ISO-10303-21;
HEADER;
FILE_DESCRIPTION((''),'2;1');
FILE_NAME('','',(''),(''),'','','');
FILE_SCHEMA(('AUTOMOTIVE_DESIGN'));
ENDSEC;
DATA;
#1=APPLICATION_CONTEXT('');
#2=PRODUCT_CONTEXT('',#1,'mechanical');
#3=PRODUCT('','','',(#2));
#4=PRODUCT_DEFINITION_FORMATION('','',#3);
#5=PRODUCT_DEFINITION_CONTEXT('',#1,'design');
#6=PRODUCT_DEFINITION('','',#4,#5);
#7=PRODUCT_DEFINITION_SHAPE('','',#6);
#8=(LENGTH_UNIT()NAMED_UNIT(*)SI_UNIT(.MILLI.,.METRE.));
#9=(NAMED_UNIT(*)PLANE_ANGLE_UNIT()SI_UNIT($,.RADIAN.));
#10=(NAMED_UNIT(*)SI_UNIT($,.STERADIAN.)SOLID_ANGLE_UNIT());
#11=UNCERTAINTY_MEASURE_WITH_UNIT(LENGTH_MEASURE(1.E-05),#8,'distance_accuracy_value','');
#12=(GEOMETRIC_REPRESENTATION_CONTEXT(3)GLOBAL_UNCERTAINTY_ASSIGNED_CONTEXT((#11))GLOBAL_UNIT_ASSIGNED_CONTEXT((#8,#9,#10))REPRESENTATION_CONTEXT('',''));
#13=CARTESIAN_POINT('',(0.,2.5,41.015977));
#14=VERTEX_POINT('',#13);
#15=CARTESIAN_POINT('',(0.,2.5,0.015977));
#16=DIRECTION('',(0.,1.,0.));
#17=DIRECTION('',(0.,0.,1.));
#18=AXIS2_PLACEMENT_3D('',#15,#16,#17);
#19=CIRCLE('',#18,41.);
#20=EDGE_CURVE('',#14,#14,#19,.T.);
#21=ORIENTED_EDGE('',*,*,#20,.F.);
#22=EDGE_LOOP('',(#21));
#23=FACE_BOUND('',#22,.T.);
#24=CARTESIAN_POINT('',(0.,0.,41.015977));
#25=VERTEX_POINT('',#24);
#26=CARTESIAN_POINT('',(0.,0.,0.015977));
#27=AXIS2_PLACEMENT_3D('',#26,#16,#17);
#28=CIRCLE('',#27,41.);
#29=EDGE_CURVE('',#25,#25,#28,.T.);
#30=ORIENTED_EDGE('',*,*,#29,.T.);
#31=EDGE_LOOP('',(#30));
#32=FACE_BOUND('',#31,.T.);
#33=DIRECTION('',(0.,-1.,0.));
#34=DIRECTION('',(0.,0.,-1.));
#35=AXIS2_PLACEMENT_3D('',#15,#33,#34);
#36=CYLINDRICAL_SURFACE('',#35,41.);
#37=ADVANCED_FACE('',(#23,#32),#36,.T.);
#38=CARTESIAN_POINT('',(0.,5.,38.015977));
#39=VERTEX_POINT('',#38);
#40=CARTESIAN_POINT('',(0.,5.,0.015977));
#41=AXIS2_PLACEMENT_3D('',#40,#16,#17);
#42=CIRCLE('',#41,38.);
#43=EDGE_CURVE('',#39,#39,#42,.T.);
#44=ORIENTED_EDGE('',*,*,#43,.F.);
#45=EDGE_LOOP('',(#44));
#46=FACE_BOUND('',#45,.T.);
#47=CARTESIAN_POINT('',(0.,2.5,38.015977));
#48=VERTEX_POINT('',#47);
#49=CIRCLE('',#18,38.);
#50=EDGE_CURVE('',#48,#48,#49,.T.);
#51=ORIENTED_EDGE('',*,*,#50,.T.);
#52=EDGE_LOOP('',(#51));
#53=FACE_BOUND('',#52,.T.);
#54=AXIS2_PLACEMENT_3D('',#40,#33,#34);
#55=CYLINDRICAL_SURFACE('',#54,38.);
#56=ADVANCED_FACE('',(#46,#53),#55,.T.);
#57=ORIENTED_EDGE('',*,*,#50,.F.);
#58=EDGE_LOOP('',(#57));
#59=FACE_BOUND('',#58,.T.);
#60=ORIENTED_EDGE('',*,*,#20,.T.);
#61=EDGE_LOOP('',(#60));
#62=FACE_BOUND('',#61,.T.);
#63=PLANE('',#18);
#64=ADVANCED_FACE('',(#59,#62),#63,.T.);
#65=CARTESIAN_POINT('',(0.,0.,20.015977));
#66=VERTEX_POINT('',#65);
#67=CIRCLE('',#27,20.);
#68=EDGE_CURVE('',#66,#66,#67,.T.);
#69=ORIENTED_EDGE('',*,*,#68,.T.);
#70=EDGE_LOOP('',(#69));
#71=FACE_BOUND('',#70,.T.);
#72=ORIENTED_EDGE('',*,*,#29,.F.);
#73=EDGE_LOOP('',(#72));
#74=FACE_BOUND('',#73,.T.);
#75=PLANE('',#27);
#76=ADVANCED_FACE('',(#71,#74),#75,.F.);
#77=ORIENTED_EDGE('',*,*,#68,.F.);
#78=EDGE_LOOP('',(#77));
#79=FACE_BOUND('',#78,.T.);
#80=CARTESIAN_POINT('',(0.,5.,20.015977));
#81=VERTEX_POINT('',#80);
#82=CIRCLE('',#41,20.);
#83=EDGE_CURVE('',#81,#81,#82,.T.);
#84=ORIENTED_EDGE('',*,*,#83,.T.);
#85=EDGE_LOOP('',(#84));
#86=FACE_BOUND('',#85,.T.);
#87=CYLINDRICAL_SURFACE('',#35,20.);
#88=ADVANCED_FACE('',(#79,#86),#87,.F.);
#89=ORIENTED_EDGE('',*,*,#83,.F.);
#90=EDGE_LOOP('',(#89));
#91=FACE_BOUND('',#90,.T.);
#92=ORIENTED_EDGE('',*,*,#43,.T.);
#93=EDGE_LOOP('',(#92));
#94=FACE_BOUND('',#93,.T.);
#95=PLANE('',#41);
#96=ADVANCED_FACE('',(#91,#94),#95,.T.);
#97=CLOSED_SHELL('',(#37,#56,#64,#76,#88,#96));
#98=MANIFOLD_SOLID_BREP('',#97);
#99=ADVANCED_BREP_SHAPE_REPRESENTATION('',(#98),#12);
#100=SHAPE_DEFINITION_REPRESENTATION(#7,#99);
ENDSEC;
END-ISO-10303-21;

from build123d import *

# Parameters (mm, degrees)
SKETCH1_R           = 41
SKETCH1_R_2         = 20
BOSS_EXTRUDE1_DEPTH = 2.5
SKETCH3_R           = 38
SKETCH3_R_2         = 20
BOSS_EXTRUDE3_DEPTH = 2.5


with BuildPart() as part:
    # Sketch1 → Boss-Extrude1 (new body)
    with BuildSketch(Plane(origin=(0, 0, 0), x_dir=(1, 0, 0), z_dir=(0, 1, 0))):
        with Locations(Location((0, -0.015977487, 0), (0, 0, 270))):
            Circle(SKETCH1_R)
        with Locations(Location((0, -0.015977487, 0), (0, 0, 270))):
            Circle(SKETCH1_R_2, mode=Mode.SUBTRACT)
    extrude(amount=BOSS_EXTRUDE1_DEPTH)

    # Sketch3 → Boss-Extrude3 (add)
    with BuildSketch(Plane(origin=(0, 2.5, 0), x_dir=(1, 0, 0), z_dir=(0, 1, 0))):
        with Locations(Location((0, -0.015977487, 0), (0, 0, 270))):
            Circle(SKETCH3_R)
        with Locations(Location((0, -0.015977487, 0), (0, 0, 270))):
            Circle(SKETCH3_R_2, mode=Mode.SUBTRACT)
    extrude(amount=BOSS_EXTRUDE3_DEPTH)


solid = part.part
